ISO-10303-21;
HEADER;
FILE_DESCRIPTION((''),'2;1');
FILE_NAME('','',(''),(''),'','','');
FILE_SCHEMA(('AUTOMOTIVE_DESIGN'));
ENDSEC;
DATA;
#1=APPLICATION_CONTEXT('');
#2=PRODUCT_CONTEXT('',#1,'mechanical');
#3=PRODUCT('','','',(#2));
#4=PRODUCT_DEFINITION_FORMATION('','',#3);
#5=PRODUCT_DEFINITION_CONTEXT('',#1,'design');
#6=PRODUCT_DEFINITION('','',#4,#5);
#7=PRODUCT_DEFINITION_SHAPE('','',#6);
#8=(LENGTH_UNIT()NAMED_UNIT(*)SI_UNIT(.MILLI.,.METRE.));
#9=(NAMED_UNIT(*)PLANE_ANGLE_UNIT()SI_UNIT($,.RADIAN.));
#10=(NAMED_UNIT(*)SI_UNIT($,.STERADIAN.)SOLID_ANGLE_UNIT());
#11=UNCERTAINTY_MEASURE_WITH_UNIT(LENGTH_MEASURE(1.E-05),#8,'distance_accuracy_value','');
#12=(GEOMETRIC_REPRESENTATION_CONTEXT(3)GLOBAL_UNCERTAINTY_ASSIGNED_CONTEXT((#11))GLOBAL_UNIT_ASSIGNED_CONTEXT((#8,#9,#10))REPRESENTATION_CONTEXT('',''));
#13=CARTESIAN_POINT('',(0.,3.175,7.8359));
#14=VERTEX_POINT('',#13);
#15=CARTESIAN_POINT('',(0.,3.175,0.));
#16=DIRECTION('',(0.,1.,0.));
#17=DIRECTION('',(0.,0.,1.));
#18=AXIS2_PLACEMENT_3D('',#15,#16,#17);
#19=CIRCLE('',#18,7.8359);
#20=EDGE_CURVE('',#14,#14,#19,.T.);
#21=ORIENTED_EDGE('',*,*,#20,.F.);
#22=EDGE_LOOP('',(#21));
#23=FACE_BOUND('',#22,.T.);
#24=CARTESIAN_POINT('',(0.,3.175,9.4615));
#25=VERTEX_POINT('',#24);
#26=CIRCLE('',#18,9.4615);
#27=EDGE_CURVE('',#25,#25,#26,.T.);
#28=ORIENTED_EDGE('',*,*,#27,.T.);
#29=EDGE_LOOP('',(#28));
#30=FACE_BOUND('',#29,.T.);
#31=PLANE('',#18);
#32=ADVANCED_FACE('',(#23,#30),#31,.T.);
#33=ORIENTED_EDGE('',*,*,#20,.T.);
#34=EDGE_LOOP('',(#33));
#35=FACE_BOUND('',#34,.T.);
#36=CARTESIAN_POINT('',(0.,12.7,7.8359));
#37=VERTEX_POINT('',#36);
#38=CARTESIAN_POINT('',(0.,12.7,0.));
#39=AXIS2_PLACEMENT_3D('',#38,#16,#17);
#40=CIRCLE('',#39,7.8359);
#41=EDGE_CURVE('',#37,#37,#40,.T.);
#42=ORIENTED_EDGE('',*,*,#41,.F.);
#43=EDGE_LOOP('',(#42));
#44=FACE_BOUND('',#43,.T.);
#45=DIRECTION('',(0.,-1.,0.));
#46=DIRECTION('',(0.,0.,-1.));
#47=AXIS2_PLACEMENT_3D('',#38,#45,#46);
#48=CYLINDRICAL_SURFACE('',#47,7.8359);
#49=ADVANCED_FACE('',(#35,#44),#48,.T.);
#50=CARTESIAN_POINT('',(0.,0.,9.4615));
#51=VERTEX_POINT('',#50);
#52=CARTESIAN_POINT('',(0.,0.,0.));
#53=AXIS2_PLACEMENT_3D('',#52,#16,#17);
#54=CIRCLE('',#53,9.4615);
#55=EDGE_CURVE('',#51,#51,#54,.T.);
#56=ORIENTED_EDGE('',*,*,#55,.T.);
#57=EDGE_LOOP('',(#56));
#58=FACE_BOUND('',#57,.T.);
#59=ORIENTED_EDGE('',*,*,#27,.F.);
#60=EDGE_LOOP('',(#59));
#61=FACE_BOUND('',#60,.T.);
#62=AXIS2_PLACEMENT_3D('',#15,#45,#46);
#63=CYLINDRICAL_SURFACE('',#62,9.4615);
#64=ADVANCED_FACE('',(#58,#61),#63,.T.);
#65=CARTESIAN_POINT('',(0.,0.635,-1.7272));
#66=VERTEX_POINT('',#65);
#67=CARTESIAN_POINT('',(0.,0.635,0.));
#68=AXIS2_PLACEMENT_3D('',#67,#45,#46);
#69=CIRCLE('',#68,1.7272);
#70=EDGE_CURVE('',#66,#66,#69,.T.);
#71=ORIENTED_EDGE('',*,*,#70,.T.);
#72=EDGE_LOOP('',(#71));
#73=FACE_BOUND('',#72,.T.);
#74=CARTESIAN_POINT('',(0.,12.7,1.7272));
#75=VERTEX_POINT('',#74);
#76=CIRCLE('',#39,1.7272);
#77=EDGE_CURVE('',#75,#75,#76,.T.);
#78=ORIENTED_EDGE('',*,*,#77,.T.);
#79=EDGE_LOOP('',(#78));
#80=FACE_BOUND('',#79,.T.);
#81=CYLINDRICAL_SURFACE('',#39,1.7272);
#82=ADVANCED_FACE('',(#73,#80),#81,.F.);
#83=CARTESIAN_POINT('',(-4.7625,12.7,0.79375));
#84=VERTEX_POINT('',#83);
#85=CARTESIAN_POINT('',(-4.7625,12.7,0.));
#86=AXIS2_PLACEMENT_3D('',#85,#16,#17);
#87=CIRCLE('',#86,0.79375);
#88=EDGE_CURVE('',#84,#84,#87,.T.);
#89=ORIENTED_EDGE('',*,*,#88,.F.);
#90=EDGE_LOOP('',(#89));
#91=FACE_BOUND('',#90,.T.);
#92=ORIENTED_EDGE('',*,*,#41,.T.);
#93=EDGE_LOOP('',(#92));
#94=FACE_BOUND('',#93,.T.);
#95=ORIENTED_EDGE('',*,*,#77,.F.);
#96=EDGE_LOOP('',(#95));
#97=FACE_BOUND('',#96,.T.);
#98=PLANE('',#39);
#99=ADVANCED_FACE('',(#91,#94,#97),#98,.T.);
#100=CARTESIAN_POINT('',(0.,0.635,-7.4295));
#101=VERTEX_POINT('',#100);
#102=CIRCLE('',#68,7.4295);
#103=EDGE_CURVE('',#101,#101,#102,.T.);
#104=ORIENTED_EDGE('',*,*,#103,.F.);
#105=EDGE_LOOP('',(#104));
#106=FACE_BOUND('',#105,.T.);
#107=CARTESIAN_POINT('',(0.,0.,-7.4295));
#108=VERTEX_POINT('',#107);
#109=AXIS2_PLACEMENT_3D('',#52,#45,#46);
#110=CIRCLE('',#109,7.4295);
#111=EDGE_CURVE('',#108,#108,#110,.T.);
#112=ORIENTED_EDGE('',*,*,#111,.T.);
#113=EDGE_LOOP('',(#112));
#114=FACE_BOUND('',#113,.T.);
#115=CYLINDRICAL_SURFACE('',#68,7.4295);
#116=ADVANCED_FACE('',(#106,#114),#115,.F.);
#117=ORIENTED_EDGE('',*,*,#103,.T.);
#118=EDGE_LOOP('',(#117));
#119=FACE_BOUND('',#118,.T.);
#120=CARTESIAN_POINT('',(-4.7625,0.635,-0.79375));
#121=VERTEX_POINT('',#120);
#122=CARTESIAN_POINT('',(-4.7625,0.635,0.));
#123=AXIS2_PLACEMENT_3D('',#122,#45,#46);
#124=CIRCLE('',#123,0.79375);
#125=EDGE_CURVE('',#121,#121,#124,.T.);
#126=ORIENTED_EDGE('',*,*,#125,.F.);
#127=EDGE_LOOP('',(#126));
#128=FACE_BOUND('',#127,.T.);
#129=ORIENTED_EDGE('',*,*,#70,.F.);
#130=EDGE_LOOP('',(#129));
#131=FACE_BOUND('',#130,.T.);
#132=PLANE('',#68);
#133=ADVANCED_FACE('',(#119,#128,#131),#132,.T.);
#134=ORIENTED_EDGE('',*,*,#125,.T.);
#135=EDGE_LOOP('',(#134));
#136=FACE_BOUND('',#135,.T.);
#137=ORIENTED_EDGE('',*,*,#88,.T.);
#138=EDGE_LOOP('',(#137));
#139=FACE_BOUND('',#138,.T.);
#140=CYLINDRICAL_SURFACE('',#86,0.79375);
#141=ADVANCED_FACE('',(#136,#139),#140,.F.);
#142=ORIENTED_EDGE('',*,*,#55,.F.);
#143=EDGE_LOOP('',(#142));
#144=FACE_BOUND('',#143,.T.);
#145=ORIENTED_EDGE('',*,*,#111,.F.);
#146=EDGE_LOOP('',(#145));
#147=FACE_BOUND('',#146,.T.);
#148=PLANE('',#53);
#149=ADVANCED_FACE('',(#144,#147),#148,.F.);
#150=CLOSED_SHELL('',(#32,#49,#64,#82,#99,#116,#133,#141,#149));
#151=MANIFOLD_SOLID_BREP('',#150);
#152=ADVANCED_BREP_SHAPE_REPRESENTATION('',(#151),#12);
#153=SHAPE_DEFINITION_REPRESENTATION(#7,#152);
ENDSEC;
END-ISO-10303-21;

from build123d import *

# Parameters (mm, degrees)
SKETCH1_R                      = 9.4615
EXTRUDE1_DEPTH                 = 3.175
SKETCH2_R                      = 7.8359
EXTRUDE2_DEPTH                 = 9.525
SKETCH3_R                      = 7.4295
CUT_EXTRUDE1_DEPTH             = 0.635
F_8_32_TAPPED_HOLE1_D          = 3.4544
F_8_32_TAPPED_HOLE1_DEPTH      = 12.065
F_1_16_0_0625_DIAMETER_HOLE1_D = 1.5875


with BuildPart() as part:
    # Sketch1 → Extrude1 (new body)
    with BuildSketch(Plane(origin=(0, 0, 0), x_dir=(1, 0, 0), z_dir=(0, 1, 0))):
        with Locations(Location((0, 0, 0), (0, 0, 270))):  # turned: the seam where the file's is
            Circle(SKETCH1_R)
    extrude(amount=EXTRUDE1_DEPTH)

    # Sketch2 → Extrude2 (add)
    with BuildSketch(Plane(origin=(0, 3.175, 0), x_dir=(1, 0, 0), z_dir=(0, 1, 0))):
        with Locations(Location((0, 0, 0), (0, 0, 270))):  # turned: the seam where the file's is
            Circle(SKETCH2_R)
    extrude(amount=EXTRUDE2_DEPTH)

    # Sketch3 → Cut-Extrude1 (cut)
    with BuildSketch(Plane.XZ):
        with Locations(Location((0, 0, 0), (0, 0, 270))):  # turned: the seam where the file's is
            Circle(SKETCH3_R)
    extrude(amount=-CUT_EXTRUDE1_DEPTH, mode=Mode.SUBTRACT)

    # #8-32 Tapped Hole1
    with Locations(Plane.ZX.offset(12.7)):
        with Locations((0, 0)):
            Hole(F_8_32_TAPPED_HOLE1_D / 2, depth=F_8_32_TAPPED_HOLE1_DEPTH)

    # 1/16 (0.0625) Diameter Hole1 (through all)
    with Locations(Plane(origin=(0, 12.7, 0), x_dir=(1, 0, 0), z_dir=(0, 1, 0))):
        with Locations((-4.7625, 0)):
            Hole(F_1_16_0_0625_DIAMETER_HOLE1_D / 2)


solid = part.part
